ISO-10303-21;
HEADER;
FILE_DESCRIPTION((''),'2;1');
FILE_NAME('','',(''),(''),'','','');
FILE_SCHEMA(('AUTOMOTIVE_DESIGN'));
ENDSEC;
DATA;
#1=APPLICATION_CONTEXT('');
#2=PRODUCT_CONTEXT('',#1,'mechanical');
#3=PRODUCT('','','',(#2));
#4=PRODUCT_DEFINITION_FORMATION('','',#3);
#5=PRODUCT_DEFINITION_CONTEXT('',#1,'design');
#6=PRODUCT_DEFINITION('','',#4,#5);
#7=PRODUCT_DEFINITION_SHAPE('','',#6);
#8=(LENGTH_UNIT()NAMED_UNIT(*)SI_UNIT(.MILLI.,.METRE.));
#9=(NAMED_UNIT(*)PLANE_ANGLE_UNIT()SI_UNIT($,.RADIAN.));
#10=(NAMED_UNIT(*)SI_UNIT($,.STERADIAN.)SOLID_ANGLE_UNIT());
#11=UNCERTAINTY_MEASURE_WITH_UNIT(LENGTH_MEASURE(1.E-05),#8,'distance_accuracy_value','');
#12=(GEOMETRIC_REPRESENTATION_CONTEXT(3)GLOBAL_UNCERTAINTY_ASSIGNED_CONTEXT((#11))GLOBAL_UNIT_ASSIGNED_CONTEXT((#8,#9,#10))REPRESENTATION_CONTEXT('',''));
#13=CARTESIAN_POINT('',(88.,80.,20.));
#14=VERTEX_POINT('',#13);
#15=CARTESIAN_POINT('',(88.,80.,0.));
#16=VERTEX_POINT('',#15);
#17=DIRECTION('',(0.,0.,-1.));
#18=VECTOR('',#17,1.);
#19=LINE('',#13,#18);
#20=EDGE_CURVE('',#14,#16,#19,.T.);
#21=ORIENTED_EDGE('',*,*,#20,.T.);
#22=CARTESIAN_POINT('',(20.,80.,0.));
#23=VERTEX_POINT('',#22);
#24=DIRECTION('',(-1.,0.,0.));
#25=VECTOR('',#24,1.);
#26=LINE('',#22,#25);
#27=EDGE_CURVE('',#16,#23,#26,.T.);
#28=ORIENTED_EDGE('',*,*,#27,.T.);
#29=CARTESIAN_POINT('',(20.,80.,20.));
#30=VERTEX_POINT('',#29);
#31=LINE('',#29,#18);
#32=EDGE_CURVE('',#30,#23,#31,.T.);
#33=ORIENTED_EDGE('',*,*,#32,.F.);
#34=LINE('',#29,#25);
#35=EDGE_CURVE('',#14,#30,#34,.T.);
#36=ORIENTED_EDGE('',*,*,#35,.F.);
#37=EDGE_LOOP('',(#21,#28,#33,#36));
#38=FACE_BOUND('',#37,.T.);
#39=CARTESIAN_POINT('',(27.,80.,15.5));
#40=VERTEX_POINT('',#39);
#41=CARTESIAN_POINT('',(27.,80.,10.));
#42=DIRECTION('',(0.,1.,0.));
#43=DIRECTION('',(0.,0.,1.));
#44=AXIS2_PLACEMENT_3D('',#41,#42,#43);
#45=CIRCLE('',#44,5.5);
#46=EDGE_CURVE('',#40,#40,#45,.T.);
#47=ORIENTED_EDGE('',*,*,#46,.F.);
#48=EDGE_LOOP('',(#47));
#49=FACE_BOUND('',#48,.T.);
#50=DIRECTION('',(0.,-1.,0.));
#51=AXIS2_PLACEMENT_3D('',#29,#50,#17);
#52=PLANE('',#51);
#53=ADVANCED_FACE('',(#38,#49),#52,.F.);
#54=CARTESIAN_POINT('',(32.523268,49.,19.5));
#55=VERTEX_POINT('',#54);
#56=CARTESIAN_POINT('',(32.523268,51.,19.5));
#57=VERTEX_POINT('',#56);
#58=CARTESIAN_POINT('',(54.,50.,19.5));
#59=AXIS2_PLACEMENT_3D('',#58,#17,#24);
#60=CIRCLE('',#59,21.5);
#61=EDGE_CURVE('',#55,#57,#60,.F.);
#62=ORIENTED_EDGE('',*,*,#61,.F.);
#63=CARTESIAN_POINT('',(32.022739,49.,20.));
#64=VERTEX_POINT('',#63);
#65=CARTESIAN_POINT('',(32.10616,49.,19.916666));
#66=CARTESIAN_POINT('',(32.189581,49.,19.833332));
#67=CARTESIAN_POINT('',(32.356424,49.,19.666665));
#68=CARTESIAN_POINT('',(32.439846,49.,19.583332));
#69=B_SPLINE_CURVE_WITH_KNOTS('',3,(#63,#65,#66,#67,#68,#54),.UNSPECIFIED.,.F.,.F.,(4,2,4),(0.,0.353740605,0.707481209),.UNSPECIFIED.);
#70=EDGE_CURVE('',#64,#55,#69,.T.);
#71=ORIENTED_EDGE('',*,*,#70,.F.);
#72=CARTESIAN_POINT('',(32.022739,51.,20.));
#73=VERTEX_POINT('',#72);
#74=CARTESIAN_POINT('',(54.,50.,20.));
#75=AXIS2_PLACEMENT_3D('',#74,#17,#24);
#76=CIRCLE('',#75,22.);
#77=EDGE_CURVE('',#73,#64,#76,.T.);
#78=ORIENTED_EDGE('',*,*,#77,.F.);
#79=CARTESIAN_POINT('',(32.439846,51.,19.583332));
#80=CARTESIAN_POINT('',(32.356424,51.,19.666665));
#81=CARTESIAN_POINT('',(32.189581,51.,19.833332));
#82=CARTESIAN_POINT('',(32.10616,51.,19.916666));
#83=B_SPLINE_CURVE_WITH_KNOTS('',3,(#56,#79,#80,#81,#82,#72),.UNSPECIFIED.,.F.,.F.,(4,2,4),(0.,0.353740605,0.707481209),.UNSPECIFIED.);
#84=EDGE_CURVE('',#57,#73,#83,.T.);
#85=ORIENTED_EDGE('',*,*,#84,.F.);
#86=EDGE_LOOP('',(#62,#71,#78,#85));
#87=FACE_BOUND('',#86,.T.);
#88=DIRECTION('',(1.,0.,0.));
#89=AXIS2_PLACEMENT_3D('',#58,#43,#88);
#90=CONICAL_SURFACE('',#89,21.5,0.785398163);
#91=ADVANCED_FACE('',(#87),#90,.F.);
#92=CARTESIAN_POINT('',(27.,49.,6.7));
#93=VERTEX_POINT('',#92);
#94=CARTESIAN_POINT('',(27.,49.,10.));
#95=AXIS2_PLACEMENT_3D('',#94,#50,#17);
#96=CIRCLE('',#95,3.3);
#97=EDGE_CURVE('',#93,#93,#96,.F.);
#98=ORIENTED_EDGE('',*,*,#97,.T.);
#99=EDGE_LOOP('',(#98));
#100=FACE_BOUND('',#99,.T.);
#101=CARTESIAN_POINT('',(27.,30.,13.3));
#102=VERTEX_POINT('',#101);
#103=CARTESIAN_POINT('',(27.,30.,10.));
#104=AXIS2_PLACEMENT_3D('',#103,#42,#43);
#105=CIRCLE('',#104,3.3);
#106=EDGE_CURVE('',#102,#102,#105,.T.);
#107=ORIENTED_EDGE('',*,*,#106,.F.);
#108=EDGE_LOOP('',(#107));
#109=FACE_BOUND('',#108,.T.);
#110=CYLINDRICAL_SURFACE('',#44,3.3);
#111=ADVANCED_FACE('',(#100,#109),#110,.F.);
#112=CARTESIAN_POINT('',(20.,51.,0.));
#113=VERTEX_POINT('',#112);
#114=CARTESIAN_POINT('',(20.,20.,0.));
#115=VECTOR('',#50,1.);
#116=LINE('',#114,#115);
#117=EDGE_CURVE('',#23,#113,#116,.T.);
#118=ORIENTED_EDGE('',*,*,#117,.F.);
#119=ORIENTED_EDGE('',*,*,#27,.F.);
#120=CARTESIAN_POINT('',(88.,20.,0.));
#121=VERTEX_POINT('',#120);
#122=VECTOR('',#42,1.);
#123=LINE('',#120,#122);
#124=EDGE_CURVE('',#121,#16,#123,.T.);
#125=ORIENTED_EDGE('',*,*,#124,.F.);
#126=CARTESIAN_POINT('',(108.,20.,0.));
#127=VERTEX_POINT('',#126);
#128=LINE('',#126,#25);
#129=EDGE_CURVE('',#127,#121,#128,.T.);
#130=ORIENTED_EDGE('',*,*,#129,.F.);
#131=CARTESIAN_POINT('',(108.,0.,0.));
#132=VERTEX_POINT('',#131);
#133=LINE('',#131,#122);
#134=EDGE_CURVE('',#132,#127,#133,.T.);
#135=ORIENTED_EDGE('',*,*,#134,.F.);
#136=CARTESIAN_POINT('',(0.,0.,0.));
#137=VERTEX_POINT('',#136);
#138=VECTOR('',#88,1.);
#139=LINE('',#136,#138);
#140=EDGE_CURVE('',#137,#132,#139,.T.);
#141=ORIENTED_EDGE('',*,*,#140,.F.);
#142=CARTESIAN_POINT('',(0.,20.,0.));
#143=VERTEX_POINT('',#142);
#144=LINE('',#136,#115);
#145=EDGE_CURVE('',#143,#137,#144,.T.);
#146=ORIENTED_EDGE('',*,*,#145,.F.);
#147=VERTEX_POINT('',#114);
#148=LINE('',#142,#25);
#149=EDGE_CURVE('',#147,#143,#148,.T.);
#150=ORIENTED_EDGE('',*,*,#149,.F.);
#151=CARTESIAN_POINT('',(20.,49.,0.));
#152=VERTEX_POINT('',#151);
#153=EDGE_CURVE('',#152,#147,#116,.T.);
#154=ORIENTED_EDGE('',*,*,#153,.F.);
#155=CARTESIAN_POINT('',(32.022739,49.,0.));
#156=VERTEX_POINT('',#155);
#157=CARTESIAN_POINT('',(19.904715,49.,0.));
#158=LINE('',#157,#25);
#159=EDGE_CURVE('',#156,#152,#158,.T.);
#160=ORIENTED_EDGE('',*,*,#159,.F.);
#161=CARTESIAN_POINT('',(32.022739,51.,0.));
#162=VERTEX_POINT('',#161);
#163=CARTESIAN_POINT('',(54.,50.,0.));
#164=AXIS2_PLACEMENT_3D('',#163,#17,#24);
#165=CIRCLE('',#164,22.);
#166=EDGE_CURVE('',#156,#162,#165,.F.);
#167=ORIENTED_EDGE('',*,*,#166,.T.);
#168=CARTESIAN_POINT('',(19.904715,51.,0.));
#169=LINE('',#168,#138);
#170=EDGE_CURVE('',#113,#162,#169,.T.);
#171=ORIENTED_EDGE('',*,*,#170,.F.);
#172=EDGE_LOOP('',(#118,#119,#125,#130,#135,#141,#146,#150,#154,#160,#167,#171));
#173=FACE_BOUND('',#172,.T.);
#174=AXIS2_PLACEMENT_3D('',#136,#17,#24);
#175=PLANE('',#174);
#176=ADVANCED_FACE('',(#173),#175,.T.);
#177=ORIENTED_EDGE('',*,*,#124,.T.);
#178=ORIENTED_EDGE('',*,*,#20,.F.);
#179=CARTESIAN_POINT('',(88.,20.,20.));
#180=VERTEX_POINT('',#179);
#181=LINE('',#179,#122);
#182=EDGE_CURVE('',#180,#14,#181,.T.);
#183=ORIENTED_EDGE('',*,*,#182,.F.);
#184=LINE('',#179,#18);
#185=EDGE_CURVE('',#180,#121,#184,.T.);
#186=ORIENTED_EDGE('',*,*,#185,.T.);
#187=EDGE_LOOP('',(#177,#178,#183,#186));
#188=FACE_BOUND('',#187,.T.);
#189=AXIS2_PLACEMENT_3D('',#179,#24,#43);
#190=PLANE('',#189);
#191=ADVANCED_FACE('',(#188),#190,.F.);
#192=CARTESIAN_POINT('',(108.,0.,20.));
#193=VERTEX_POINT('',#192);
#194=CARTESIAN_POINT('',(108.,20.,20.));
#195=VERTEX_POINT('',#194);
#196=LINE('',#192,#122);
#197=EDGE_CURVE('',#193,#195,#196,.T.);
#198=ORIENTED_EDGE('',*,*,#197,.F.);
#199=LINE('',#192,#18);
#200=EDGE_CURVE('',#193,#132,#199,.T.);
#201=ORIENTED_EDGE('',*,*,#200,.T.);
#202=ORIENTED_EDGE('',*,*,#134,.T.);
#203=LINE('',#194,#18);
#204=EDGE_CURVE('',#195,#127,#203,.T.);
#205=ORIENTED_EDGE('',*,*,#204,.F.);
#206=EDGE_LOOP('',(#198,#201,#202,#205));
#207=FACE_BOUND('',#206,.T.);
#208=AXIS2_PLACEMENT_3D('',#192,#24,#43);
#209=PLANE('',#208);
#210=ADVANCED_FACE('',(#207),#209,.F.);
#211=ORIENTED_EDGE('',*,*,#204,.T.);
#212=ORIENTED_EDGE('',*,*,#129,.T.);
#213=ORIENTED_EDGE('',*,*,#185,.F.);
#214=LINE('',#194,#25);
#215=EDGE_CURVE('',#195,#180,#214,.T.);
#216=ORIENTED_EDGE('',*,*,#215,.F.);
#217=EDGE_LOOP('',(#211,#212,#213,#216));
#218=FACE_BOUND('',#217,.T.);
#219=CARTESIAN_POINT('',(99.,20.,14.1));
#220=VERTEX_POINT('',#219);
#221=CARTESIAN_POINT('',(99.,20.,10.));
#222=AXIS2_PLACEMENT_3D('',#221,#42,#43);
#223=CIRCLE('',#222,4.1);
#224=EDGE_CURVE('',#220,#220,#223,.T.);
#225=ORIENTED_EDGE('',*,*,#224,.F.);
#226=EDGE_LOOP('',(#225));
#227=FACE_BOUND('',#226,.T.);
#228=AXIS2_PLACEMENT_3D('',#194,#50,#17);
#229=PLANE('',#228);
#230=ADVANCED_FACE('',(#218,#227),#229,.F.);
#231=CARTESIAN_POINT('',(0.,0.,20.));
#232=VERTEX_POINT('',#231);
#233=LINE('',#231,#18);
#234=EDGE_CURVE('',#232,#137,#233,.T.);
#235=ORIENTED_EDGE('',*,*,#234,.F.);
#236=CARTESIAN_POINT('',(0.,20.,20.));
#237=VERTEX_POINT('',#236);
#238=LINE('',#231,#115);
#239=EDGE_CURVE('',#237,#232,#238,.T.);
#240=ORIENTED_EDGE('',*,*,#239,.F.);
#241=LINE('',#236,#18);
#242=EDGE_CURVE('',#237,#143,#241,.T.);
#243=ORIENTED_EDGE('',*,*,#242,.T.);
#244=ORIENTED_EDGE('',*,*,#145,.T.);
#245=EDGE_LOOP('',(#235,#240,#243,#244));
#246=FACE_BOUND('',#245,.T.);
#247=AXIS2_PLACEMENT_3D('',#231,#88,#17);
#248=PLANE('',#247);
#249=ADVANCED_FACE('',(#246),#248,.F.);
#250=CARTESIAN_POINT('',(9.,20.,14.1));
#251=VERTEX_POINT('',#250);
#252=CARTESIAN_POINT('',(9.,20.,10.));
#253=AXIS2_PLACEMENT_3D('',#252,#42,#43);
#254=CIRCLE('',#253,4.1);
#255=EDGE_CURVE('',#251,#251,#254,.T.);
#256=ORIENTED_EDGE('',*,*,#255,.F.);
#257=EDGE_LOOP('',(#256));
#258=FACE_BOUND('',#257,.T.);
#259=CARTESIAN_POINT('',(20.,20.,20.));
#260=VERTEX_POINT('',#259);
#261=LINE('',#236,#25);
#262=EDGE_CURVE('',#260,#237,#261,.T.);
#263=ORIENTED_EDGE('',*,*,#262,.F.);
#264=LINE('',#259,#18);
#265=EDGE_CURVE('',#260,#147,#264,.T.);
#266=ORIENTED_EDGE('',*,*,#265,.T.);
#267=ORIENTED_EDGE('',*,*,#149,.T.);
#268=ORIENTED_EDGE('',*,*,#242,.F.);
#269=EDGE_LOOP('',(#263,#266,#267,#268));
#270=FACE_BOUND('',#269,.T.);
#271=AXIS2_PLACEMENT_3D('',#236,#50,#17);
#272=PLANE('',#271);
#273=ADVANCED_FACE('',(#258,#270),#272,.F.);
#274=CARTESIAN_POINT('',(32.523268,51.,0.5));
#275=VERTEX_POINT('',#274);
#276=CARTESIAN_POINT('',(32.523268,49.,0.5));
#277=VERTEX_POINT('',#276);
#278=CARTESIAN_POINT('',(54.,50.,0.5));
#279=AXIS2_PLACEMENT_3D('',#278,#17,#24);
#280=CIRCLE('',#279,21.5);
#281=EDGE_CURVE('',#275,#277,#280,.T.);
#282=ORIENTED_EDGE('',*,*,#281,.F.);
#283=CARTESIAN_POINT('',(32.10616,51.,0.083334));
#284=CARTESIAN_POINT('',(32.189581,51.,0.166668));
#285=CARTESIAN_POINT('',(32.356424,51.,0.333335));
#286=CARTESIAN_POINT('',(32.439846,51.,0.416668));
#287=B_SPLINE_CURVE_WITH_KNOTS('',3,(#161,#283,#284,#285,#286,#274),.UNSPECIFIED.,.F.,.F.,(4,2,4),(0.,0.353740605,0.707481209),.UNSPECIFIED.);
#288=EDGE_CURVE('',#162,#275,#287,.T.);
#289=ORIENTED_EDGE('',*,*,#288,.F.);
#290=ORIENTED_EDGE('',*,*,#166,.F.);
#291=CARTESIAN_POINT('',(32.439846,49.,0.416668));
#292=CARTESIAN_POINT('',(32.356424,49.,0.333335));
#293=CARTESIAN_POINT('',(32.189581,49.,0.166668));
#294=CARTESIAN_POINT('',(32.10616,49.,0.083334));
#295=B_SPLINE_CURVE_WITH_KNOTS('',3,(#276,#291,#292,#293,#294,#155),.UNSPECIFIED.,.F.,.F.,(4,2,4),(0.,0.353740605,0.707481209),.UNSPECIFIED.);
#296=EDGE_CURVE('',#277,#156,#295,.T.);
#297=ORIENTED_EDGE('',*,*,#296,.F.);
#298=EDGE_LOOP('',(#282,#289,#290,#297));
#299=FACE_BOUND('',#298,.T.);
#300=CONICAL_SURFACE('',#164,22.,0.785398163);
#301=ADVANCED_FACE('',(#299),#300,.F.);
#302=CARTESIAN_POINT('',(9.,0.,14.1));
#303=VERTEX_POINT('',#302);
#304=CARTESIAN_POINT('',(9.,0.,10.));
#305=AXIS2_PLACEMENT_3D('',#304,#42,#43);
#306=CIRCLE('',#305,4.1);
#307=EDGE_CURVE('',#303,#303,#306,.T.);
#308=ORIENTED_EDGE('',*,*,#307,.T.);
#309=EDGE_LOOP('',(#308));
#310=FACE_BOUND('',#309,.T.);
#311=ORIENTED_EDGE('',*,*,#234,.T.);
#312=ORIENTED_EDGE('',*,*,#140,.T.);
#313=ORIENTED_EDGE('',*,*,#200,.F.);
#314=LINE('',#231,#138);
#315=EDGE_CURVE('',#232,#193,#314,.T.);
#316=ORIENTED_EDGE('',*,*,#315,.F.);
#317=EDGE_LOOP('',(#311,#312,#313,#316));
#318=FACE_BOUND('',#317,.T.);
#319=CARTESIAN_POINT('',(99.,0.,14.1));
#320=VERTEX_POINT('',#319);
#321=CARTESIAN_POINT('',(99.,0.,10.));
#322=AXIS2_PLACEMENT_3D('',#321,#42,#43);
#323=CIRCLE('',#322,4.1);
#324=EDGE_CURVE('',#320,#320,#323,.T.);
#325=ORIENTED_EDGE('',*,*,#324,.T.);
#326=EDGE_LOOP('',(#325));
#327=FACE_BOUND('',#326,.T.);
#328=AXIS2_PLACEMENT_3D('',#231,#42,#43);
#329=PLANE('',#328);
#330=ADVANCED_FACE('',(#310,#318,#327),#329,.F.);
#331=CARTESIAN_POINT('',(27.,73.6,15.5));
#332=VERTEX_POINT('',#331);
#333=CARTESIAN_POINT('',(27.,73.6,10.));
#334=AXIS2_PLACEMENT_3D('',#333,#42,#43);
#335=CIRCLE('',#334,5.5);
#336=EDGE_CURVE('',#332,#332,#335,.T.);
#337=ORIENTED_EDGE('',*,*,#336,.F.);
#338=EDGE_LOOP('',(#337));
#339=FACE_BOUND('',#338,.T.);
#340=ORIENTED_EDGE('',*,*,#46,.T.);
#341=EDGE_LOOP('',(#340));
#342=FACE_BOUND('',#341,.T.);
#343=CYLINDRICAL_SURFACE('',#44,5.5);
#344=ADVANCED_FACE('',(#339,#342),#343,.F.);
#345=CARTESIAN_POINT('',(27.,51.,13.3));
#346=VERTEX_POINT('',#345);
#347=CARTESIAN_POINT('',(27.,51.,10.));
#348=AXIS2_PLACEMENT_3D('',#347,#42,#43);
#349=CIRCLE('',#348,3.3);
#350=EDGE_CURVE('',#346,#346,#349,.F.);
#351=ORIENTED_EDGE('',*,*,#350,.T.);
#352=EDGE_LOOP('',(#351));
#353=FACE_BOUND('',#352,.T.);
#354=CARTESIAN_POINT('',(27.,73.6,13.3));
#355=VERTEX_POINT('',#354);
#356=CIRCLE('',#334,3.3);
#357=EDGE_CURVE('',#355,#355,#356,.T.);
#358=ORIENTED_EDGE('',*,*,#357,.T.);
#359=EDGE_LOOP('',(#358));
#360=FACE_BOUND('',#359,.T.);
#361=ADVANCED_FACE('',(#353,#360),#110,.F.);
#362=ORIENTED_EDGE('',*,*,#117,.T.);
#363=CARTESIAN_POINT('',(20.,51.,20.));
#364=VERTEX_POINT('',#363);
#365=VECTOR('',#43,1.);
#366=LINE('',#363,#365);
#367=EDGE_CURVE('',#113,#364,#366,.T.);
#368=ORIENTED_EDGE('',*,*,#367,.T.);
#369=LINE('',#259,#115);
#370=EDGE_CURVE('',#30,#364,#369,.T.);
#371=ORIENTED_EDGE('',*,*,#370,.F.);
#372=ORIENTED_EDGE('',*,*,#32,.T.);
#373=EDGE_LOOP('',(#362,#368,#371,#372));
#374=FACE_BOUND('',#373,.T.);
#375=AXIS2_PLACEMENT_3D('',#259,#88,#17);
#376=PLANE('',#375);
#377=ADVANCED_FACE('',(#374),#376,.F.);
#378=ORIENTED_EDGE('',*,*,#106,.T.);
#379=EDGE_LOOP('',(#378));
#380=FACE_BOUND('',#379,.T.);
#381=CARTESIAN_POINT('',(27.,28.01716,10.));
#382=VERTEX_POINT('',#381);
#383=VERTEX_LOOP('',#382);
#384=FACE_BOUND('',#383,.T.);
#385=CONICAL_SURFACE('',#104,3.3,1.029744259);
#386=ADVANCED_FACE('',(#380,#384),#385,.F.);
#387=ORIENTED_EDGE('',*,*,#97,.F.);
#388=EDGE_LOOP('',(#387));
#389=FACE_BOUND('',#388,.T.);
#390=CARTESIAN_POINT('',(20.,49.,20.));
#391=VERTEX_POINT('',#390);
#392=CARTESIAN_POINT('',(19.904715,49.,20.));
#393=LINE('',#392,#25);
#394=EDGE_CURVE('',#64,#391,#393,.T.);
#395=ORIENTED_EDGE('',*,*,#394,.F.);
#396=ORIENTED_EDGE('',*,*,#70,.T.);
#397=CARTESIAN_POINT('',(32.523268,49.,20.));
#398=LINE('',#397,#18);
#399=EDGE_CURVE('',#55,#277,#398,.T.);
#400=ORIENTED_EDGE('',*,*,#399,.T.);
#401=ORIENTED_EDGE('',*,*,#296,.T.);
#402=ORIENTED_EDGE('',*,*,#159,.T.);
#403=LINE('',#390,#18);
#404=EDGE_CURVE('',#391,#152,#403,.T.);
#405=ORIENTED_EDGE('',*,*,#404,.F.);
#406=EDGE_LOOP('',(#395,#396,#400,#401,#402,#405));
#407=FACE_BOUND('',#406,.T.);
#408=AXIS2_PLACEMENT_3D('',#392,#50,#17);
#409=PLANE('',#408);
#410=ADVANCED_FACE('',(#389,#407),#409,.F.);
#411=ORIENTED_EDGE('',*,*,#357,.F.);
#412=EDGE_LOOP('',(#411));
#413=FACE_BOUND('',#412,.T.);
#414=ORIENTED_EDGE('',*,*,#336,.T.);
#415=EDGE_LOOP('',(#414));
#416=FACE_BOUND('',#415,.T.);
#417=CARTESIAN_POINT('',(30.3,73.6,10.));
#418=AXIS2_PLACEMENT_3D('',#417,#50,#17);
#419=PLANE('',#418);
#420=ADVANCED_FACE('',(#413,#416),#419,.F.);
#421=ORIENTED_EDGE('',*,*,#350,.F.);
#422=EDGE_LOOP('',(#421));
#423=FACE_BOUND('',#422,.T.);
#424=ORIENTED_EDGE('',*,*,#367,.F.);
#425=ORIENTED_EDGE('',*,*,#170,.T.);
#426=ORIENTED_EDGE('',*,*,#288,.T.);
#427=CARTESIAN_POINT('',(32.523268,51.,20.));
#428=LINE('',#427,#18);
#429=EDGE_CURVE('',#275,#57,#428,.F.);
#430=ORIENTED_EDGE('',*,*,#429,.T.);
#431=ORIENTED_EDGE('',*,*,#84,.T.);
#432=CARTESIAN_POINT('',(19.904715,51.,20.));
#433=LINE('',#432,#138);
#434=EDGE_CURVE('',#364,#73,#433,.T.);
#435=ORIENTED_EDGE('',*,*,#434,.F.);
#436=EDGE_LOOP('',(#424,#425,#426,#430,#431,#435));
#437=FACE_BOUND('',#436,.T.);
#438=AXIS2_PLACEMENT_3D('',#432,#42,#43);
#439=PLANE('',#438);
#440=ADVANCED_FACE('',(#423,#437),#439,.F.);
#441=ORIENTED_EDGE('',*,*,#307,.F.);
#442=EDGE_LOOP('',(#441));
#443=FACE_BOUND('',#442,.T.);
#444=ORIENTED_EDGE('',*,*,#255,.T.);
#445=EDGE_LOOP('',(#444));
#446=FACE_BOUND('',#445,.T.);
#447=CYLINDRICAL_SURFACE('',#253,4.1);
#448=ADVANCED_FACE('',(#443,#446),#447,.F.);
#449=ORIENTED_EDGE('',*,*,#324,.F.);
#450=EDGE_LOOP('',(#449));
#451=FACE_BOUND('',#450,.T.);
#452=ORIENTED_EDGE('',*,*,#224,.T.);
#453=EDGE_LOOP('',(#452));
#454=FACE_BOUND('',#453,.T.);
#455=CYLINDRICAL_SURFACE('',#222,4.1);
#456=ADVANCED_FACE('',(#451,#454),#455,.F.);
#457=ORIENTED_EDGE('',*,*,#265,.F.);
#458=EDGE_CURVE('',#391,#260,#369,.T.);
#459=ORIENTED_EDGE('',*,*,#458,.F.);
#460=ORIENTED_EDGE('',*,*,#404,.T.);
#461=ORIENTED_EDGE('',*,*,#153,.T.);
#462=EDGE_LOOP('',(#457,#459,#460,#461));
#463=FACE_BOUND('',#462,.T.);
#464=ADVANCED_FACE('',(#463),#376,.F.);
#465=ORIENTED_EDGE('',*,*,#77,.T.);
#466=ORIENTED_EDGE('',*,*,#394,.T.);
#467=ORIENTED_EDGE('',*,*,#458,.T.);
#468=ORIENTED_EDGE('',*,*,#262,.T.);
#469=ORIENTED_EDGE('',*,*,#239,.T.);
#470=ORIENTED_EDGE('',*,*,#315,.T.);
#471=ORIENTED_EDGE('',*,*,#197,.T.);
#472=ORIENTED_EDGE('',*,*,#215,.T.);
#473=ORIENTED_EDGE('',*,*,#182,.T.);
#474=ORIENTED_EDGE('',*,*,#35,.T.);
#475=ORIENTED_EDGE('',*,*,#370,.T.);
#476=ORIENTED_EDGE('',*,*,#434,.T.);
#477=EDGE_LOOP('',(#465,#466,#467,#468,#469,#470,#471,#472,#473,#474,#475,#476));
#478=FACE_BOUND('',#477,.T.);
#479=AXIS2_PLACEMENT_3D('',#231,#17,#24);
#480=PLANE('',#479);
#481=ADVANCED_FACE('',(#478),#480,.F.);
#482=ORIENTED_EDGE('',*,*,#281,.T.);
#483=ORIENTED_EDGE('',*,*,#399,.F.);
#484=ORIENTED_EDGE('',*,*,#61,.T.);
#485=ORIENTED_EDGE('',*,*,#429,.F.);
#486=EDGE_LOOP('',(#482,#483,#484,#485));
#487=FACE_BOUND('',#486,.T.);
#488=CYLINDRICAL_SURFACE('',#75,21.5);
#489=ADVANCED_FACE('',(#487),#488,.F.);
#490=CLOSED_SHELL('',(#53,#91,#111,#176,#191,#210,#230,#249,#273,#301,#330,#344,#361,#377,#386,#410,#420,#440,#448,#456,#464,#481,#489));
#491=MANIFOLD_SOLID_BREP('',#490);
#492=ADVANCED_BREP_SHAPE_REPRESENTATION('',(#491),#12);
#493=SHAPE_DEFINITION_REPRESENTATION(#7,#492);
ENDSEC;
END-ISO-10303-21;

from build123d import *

# Parameters (mm, degrees)
SCHIZZO1_R                                          = 21.5
ESTRUSIONE_ESTRUSIONE1_DEPTH                        = 20
F_8_2_8_2_DIAMETER_HOLE1_D                          = 8.2
CBORE_FOR_M6_HEX_SOCKET_HEAD_CAP_SCREW1_D           = 6.6
CBORE_FOR_M6_HEX_SOCKET_HEAD_CAP_SCREW1_DEPTH       = 50
CBORE_FOR_M6_HEX_SOCKET_HEAD_CAP_SCREW1_CBORE_D     = 11
CBORE_FOR_M6_HEX_SOCKET_HEAD_CAP_SCREW1_CBORE_DEPTH = 6.4
CBORE_FOR_M6_HEX_SOCKET_HEAD_CAP_SCREW1_TIP         = 1.982840043
SCHIZZO7_W                                          = 15.52137419
SCHIZZO7_H                                          = 2
TAGLIO_ESTRUSIONE1_DEPTH                            = 136.882302012
CHAMFER1_SIZE                                       = 0.5
CHAMFER2_SIZE                                       = 0.5


with BuildPart() as part:
    # Schizzo1 → Estrusione-Estrusione1 (new body)
    with BuildSketch(Plane.XY):
        Polygon((0, 0), (108, 0), (108, 20), (88, 20), (88, 80), (20, 80), (20, 20), (0, 20), align=None)
        with Locations((54, 50)):
            Circle(SCHIZZO1_R, mode=Mode.SUBTRACT)
    extrude(amount=ESTRUSIONE_ESTRUSIONE1_DEPTH)

    # Ø8.2 (8.2) Diameter Hole1 (through all)
    with Locations(Plane(origin=(9, 20, 10), x_dir=(0, 0, 1), z_dir=(0, 1, 0))):
        with Locations((0, 0), (0, 90)):
            Hole(F_8_2_8_2_DIAMETER_HOLE1_D / 2)

    # CBORE for M6 Hex Socket Head Cap Screw1
    with Locations(Plane(origin=(27, 80, 10), x_dir=(0, 0, 1), z_dir=(0, 1, 0))):
        with Locations((0, 0)):
            CounterBoreHole(CBORE_FOR_M6_HEX_SOCKET_HEAD_CAP_SCREW1_D / 2, CBORE_FOR_M6_HEX_SOCKET_HEAD_CAP_SCREW1_CBORE_D / 2, CBORE_FOR_M6_HEX_SOCKET_HEAD_CAP_SCREW1_CBORE_DEPTH, depth=CBORE_FOR_M6_HEX_SOCKET_HEAD_CAP_SCREW1_DEPTH)
            with Locations((0, 0, -(CBORE_FOR_M6_HEX_SOCKET_HEAD_CAP_SCREW1_DEPTH + CBORE_FOR_M6_HEX_SOCKET_HEAD_CAP_SCREW1_TIP / 2))):  # 118° drill point
                Cone(0, CBORE_FOR_M6_HEX_SOCKET_HEAD_CAP_SCREW1_D / 2, CBORE_FOR_M6_HEX_SOCKET_HEAD_CAP_SCREW1_TIP, mode=Mode.SUBTRACT)

    # Schizzo7 → Taglio-Estrusione1 (cut, through all)
    with BuildSketch(Plane(origin=(0, 0, 0), x_dir=(-1, 0, 0), z_dir=(0, 0, -1))):
        with Locations((-27.66540179, 50)):
            Rectangle(SCHIZZO7_W, SCHIZZO7_H)
    extrude(amount=-TAGLIO_ESTRUSIONE1_DEPTH, mode=Mode.SUBTRACT)

    # Chamfer1
    chamfer1_edges = [part.edges().sort_by_distance(p)[0] for p in [
        (54.500135336, 71.494182112, 0),
    ]]
    chamfer(chamfer1_edges, length=CHAMFER1_SIZE)

    # Chamfer2
    chamfer2_edges = [part.edges().sort_by_distance(p)[0] for p in [
        (54.500135336, 28.505817888, 20),
    ]]
    chamfer(chamfer2_edges, length=CHAMFER2_SIZE)


solid = part.part
